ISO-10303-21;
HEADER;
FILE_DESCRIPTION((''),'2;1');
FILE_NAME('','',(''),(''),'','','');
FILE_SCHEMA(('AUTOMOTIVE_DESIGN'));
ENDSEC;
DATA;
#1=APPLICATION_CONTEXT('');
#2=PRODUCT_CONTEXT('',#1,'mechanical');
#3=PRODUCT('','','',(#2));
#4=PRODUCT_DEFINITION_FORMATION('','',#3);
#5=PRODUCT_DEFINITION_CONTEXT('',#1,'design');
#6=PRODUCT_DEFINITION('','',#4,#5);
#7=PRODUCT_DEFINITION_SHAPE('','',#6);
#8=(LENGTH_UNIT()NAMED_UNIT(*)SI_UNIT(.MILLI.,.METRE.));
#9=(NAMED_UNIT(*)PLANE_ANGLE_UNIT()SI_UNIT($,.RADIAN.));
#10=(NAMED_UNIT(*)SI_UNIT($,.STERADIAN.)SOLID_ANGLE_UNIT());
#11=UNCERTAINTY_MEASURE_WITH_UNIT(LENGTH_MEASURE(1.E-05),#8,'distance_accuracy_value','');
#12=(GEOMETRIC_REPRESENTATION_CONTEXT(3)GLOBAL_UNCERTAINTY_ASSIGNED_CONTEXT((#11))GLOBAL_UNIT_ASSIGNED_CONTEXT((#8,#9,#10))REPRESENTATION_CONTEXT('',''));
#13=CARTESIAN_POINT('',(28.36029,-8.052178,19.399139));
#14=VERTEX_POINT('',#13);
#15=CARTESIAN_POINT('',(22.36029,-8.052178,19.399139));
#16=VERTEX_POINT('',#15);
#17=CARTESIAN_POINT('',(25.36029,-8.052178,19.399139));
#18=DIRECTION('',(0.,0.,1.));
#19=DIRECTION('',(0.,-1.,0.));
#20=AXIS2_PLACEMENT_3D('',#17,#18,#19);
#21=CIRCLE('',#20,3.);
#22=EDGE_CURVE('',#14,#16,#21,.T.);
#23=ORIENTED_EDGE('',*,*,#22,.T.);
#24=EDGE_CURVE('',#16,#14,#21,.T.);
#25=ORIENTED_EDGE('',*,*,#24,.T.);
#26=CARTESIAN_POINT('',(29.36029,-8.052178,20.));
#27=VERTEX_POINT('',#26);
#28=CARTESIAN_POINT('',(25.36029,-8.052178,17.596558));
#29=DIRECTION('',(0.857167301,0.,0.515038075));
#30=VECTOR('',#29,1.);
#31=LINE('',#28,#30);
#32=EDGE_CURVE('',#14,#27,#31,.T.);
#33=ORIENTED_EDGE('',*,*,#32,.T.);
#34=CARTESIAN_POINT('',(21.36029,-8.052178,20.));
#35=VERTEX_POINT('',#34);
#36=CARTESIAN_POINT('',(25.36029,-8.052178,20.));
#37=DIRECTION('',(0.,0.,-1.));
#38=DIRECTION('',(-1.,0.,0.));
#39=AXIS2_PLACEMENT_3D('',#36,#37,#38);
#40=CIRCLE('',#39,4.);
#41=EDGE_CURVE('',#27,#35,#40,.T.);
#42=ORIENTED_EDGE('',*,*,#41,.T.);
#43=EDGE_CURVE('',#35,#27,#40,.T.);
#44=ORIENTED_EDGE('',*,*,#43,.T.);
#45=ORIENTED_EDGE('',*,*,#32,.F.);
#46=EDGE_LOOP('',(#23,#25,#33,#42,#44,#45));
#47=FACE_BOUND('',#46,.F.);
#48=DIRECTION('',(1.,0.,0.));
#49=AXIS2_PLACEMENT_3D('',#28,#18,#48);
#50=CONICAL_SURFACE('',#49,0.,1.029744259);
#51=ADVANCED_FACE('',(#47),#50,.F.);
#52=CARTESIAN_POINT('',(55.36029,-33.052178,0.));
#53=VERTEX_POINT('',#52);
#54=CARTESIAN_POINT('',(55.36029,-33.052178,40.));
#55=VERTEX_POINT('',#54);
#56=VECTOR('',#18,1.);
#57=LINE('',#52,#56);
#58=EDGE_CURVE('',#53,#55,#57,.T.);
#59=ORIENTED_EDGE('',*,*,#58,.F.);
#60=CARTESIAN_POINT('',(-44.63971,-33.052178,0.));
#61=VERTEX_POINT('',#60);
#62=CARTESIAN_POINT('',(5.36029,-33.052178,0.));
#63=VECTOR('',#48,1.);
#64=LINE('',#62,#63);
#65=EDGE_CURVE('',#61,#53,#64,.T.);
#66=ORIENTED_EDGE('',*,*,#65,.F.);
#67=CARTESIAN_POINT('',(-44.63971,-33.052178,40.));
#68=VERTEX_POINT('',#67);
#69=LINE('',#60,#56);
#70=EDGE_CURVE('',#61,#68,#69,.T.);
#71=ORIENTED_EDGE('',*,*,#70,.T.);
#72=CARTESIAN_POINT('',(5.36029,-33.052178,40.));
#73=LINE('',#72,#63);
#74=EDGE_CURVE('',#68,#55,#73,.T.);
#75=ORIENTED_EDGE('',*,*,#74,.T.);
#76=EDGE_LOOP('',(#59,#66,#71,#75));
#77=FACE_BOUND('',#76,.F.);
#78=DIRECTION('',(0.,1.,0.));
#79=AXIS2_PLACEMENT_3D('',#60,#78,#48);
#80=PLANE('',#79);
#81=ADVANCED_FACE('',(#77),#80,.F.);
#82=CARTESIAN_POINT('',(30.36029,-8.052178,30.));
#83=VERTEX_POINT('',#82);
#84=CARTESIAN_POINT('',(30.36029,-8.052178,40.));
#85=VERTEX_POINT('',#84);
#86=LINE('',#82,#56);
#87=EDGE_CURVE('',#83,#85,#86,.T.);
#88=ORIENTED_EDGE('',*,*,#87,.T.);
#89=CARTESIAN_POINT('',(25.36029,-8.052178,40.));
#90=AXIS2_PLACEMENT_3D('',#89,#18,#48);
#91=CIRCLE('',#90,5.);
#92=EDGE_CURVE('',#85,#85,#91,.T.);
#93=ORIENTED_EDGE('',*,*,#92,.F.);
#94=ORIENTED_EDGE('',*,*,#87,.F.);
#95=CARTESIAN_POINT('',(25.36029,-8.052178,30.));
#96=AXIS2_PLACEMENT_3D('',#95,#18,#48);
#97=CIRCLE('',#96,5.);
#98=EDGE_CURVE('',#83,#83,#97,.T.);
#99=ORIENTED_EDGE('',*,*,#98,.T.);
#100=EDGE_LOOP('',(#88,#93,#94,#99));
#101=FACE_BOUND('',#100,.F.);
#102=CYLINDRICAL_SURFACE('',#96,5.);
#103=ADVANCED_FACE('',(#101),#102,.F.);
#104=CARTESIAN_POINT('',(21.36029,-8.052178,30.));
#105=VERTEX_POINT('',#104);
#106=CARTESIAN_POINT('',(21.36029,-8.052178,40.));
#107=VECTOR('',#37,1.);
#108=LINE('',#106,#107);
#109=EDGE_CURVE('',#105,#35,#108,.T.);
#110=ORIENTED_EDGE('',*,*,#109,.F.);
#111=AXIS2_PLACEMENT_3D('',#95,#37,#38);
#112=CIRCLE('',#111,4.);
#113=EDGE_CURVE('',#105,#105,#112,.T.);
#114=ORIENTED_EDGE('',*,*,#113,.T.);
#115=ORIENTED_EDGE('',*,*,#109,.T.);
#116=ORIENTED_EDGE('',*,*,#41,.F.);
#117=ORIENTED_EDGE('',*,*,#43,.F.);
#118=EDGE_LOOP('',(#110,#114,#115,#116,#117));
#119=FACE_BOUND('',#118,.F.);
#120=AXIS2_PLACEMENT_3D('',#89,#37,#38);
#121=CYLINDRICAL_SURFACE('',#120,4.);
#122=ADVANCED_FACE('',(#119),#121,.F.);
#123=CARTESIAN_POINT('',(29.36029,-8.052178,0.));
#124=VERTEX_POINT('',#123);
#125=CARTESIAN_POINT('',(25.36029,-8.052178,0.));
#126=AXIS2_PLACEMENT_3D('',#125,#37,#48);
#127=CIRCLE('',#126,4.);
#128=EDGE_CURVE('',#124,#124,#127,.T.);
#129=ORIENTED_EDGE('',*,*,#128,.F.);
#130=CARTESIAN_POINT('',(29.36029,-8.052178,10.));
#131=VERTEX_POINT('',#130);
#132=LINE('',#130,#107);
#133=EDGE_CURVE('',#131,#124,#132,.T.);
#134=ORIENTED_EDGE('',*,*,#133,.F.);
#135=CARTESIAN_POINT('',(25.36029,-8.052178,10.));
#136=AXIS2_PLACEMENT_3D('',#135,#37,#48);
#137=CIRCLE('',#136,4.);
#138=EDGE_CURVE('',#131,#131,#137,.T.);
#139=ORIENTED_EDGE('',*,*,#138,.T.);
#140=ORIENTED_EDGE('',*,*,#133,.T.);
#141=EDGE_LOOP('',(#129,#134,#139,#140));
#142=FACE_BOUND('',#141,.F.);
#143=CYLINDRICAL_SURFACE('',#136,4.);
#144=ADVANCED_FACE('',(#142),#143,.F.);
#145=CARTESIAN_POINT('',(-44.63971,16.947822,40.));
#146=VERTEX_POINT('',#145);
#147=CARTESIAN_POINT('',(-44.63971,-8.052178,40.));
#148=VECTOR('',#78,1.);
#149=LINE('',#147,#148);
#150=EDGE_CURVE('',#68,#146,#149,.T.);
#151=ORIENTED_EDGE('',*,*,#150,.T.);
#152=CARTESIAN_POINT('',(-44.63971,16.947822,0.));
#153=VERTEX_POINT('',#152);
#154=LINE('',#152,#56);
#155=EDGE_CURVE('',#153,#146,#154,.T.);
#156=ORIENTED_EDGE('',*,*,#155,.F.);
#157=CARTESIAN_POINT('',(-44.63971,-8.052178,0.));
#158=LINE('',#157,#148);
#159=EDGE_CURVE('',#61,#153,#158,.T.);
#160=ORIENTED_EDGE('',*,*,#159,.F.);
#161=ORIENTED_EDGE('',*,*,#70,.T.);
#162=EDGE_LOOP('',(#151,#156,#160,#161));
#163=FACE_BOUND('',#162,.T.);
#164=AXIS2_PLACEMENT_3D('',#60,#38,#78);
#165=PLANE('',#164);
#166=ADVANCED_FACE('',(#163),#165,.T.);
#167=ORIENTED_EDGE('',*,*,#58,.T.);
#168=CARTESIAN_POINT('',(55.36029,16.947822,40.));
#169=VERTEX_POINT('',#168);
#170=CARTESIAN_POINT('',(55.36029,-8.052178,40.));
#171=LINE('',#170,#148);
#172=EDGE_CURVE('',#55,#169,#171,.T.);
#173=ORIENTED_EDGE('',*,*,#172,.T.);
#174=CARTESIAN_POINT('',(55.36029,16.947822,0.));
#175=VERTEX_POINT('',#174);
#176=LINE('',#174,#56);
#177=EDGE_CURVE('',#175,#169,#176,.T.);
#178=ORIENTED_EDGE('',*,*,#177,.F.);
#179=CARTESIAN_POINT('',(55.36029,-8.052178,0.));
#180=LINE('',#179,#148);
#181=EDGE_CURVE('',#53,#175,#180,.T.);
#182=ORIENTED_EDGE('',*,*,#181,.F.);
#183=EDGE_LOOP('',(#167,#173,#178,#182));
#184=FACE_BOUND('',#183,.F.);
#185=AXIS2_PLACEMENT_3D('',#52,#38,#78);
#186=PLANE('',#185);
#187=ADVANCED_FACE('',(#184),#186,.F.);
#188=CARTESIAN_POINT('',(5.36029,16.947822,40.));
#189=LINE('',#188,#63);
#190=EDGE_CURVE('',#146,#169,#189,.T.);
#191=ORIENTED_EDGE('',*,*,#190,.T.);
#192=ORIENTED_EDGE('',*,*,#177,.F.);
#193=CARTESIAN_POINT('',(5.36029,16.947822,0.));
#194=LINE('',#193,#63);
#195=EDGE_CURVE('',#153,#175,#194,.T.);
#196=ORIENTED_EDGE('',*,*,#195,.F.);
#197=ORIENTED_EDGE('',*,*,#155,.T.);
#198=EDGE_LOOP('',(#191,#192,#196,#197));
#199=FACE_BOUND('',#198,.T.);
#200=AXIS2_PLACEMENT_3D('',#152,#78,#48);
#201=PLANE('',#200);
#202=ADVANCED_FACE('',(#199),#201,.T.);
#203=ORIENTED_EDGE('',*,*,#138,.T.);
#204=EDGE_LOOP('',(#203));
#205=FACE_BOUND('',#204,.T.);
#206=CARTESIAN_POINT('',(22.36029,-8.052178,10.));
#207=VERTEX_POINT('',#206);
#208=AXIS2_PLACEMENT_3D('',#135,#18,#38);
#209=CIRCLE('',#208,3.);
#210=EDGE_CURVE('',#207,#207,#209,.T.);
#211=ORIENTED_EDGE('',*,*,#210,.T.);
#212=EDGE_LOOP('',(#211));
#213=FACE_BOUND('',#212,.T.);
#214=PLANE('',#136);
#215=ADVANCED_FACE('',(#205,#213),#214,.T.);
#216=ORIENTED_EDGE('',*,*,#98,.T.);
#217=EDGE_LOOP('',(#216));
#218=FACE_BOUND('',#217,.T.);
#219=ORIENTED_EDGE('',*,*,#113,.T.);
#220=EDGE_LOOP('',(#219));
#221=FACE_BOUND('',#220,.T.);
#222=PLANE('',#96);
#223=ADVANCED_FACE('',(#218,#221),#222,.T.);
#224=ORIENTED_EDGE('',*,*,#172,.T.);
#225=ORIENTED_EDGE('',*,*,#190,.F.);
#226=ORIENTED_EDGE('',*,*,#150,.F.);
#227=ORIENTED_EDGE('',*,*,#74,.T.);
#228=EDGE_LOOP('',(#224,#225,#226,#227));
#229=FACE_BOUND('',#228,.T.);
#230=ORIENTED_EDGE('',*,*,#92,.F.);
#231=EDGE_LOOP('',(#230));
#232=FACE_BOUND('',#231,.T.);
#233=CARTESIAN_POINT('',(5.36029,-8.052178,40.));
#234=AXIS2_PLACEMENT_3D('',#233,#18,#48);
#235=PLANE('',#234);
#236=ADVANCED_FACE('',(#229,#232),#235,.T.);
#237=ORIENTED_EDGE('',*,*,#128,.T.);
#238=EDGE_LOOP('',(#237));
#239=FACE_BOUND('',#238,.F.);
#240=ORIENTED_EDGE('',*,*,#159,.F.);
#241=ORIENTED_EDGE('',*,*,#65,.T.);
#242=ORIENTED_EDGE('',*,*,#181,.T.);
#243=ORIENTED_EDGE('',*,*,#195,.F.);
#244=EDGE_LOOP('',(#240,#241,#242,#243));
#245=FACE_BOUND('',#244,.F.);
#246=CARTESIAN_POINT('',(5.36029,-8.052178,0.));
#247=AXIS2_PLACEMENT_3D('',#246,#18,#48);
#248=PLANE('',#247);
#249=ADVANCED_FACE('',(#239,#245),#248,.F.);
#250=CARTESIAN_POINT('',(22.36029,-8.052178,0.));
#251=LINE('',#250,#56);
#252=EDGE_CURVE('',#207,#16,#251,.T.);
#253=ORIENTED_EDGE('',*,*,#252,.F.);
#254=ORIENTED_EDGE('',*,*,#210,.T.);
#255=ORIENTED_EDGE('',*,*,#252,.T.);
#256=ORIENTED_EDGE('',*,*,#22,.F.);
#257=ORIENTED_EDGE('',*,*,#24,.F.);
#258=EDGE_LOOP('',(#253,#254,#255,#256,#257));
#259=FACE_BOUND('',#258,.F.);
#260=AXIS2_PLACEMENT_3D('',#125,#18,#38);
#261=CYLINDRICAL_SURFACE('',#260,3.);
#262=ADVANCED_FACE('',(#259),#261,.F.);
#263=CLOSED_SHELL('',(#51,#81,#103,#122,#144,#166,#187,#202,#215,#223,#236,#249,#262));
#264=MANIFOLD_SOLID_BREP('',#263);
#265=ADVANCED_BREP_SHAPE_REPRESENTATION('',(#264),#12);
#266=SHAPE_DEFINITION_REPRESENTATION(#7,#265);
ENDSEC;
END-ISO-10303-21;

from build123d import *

# Parameters (mm, degrees)
F0_W           = 100
F0_H           = 50
F1_DEPTH       = 40
F3_D           = 8
F3_DEPTH       = 20
F3_CBORE_D     = 10
F3_CBORE_DEPTH = 10
F3_TIP         = 2.4034424761
F5_D           = 6
F5_DEPTH       = 20
F5_CBORE_D     = 8
F5_CBORE_DEPTH = 10
F5_TIP         = 1.8025818571


with BuildPart() as f1:
    # F0 (on Top) → F1 (new body)
    with BuildSketch(Plane.XY):
        with Locations((5.3602904081, -8.052177819)):
            Rectangle(F0_W, F0_H)
    extrude(amount=F1_DEPTH)

    # F3
    with Locations(Plane.XY.offset(40)):
        with Locations((25.3602904081, -8.052177819)):
            CounterBoreHole(F3_D / 2, F3_CBORE_D / 2, F3_CBORE_DEPTH, depth=F3_DEPTH)
            with Locations((0, 0, -(F3_DEPTH + F3_TIP / 2))):  # 118° drill point
                Cone(0, F3_D / 2, F3_TIP, mode=Mode.SUBTRACT)

    # F5
    with Locations(Plane(origin=(0, 0, 0), x_dir=(1, 0, 0), z_dir=(0, 0, -1))):
        with Locations((25.3602904081, 8.052177819)):
            CounterBoreHole(F5_D / 2, F5_CBORE_D / 2, F5_CBORE_DEPTH, depth=F5_DEPTH)
            with Locations((0, 0, -(F5_DEPTH + F5_TIP / 2))):  # 118° drill point
                Cone(0, F5_D / 2, F5_TIP, mode=Mode.SUBTRACT)


solid = f1.part
